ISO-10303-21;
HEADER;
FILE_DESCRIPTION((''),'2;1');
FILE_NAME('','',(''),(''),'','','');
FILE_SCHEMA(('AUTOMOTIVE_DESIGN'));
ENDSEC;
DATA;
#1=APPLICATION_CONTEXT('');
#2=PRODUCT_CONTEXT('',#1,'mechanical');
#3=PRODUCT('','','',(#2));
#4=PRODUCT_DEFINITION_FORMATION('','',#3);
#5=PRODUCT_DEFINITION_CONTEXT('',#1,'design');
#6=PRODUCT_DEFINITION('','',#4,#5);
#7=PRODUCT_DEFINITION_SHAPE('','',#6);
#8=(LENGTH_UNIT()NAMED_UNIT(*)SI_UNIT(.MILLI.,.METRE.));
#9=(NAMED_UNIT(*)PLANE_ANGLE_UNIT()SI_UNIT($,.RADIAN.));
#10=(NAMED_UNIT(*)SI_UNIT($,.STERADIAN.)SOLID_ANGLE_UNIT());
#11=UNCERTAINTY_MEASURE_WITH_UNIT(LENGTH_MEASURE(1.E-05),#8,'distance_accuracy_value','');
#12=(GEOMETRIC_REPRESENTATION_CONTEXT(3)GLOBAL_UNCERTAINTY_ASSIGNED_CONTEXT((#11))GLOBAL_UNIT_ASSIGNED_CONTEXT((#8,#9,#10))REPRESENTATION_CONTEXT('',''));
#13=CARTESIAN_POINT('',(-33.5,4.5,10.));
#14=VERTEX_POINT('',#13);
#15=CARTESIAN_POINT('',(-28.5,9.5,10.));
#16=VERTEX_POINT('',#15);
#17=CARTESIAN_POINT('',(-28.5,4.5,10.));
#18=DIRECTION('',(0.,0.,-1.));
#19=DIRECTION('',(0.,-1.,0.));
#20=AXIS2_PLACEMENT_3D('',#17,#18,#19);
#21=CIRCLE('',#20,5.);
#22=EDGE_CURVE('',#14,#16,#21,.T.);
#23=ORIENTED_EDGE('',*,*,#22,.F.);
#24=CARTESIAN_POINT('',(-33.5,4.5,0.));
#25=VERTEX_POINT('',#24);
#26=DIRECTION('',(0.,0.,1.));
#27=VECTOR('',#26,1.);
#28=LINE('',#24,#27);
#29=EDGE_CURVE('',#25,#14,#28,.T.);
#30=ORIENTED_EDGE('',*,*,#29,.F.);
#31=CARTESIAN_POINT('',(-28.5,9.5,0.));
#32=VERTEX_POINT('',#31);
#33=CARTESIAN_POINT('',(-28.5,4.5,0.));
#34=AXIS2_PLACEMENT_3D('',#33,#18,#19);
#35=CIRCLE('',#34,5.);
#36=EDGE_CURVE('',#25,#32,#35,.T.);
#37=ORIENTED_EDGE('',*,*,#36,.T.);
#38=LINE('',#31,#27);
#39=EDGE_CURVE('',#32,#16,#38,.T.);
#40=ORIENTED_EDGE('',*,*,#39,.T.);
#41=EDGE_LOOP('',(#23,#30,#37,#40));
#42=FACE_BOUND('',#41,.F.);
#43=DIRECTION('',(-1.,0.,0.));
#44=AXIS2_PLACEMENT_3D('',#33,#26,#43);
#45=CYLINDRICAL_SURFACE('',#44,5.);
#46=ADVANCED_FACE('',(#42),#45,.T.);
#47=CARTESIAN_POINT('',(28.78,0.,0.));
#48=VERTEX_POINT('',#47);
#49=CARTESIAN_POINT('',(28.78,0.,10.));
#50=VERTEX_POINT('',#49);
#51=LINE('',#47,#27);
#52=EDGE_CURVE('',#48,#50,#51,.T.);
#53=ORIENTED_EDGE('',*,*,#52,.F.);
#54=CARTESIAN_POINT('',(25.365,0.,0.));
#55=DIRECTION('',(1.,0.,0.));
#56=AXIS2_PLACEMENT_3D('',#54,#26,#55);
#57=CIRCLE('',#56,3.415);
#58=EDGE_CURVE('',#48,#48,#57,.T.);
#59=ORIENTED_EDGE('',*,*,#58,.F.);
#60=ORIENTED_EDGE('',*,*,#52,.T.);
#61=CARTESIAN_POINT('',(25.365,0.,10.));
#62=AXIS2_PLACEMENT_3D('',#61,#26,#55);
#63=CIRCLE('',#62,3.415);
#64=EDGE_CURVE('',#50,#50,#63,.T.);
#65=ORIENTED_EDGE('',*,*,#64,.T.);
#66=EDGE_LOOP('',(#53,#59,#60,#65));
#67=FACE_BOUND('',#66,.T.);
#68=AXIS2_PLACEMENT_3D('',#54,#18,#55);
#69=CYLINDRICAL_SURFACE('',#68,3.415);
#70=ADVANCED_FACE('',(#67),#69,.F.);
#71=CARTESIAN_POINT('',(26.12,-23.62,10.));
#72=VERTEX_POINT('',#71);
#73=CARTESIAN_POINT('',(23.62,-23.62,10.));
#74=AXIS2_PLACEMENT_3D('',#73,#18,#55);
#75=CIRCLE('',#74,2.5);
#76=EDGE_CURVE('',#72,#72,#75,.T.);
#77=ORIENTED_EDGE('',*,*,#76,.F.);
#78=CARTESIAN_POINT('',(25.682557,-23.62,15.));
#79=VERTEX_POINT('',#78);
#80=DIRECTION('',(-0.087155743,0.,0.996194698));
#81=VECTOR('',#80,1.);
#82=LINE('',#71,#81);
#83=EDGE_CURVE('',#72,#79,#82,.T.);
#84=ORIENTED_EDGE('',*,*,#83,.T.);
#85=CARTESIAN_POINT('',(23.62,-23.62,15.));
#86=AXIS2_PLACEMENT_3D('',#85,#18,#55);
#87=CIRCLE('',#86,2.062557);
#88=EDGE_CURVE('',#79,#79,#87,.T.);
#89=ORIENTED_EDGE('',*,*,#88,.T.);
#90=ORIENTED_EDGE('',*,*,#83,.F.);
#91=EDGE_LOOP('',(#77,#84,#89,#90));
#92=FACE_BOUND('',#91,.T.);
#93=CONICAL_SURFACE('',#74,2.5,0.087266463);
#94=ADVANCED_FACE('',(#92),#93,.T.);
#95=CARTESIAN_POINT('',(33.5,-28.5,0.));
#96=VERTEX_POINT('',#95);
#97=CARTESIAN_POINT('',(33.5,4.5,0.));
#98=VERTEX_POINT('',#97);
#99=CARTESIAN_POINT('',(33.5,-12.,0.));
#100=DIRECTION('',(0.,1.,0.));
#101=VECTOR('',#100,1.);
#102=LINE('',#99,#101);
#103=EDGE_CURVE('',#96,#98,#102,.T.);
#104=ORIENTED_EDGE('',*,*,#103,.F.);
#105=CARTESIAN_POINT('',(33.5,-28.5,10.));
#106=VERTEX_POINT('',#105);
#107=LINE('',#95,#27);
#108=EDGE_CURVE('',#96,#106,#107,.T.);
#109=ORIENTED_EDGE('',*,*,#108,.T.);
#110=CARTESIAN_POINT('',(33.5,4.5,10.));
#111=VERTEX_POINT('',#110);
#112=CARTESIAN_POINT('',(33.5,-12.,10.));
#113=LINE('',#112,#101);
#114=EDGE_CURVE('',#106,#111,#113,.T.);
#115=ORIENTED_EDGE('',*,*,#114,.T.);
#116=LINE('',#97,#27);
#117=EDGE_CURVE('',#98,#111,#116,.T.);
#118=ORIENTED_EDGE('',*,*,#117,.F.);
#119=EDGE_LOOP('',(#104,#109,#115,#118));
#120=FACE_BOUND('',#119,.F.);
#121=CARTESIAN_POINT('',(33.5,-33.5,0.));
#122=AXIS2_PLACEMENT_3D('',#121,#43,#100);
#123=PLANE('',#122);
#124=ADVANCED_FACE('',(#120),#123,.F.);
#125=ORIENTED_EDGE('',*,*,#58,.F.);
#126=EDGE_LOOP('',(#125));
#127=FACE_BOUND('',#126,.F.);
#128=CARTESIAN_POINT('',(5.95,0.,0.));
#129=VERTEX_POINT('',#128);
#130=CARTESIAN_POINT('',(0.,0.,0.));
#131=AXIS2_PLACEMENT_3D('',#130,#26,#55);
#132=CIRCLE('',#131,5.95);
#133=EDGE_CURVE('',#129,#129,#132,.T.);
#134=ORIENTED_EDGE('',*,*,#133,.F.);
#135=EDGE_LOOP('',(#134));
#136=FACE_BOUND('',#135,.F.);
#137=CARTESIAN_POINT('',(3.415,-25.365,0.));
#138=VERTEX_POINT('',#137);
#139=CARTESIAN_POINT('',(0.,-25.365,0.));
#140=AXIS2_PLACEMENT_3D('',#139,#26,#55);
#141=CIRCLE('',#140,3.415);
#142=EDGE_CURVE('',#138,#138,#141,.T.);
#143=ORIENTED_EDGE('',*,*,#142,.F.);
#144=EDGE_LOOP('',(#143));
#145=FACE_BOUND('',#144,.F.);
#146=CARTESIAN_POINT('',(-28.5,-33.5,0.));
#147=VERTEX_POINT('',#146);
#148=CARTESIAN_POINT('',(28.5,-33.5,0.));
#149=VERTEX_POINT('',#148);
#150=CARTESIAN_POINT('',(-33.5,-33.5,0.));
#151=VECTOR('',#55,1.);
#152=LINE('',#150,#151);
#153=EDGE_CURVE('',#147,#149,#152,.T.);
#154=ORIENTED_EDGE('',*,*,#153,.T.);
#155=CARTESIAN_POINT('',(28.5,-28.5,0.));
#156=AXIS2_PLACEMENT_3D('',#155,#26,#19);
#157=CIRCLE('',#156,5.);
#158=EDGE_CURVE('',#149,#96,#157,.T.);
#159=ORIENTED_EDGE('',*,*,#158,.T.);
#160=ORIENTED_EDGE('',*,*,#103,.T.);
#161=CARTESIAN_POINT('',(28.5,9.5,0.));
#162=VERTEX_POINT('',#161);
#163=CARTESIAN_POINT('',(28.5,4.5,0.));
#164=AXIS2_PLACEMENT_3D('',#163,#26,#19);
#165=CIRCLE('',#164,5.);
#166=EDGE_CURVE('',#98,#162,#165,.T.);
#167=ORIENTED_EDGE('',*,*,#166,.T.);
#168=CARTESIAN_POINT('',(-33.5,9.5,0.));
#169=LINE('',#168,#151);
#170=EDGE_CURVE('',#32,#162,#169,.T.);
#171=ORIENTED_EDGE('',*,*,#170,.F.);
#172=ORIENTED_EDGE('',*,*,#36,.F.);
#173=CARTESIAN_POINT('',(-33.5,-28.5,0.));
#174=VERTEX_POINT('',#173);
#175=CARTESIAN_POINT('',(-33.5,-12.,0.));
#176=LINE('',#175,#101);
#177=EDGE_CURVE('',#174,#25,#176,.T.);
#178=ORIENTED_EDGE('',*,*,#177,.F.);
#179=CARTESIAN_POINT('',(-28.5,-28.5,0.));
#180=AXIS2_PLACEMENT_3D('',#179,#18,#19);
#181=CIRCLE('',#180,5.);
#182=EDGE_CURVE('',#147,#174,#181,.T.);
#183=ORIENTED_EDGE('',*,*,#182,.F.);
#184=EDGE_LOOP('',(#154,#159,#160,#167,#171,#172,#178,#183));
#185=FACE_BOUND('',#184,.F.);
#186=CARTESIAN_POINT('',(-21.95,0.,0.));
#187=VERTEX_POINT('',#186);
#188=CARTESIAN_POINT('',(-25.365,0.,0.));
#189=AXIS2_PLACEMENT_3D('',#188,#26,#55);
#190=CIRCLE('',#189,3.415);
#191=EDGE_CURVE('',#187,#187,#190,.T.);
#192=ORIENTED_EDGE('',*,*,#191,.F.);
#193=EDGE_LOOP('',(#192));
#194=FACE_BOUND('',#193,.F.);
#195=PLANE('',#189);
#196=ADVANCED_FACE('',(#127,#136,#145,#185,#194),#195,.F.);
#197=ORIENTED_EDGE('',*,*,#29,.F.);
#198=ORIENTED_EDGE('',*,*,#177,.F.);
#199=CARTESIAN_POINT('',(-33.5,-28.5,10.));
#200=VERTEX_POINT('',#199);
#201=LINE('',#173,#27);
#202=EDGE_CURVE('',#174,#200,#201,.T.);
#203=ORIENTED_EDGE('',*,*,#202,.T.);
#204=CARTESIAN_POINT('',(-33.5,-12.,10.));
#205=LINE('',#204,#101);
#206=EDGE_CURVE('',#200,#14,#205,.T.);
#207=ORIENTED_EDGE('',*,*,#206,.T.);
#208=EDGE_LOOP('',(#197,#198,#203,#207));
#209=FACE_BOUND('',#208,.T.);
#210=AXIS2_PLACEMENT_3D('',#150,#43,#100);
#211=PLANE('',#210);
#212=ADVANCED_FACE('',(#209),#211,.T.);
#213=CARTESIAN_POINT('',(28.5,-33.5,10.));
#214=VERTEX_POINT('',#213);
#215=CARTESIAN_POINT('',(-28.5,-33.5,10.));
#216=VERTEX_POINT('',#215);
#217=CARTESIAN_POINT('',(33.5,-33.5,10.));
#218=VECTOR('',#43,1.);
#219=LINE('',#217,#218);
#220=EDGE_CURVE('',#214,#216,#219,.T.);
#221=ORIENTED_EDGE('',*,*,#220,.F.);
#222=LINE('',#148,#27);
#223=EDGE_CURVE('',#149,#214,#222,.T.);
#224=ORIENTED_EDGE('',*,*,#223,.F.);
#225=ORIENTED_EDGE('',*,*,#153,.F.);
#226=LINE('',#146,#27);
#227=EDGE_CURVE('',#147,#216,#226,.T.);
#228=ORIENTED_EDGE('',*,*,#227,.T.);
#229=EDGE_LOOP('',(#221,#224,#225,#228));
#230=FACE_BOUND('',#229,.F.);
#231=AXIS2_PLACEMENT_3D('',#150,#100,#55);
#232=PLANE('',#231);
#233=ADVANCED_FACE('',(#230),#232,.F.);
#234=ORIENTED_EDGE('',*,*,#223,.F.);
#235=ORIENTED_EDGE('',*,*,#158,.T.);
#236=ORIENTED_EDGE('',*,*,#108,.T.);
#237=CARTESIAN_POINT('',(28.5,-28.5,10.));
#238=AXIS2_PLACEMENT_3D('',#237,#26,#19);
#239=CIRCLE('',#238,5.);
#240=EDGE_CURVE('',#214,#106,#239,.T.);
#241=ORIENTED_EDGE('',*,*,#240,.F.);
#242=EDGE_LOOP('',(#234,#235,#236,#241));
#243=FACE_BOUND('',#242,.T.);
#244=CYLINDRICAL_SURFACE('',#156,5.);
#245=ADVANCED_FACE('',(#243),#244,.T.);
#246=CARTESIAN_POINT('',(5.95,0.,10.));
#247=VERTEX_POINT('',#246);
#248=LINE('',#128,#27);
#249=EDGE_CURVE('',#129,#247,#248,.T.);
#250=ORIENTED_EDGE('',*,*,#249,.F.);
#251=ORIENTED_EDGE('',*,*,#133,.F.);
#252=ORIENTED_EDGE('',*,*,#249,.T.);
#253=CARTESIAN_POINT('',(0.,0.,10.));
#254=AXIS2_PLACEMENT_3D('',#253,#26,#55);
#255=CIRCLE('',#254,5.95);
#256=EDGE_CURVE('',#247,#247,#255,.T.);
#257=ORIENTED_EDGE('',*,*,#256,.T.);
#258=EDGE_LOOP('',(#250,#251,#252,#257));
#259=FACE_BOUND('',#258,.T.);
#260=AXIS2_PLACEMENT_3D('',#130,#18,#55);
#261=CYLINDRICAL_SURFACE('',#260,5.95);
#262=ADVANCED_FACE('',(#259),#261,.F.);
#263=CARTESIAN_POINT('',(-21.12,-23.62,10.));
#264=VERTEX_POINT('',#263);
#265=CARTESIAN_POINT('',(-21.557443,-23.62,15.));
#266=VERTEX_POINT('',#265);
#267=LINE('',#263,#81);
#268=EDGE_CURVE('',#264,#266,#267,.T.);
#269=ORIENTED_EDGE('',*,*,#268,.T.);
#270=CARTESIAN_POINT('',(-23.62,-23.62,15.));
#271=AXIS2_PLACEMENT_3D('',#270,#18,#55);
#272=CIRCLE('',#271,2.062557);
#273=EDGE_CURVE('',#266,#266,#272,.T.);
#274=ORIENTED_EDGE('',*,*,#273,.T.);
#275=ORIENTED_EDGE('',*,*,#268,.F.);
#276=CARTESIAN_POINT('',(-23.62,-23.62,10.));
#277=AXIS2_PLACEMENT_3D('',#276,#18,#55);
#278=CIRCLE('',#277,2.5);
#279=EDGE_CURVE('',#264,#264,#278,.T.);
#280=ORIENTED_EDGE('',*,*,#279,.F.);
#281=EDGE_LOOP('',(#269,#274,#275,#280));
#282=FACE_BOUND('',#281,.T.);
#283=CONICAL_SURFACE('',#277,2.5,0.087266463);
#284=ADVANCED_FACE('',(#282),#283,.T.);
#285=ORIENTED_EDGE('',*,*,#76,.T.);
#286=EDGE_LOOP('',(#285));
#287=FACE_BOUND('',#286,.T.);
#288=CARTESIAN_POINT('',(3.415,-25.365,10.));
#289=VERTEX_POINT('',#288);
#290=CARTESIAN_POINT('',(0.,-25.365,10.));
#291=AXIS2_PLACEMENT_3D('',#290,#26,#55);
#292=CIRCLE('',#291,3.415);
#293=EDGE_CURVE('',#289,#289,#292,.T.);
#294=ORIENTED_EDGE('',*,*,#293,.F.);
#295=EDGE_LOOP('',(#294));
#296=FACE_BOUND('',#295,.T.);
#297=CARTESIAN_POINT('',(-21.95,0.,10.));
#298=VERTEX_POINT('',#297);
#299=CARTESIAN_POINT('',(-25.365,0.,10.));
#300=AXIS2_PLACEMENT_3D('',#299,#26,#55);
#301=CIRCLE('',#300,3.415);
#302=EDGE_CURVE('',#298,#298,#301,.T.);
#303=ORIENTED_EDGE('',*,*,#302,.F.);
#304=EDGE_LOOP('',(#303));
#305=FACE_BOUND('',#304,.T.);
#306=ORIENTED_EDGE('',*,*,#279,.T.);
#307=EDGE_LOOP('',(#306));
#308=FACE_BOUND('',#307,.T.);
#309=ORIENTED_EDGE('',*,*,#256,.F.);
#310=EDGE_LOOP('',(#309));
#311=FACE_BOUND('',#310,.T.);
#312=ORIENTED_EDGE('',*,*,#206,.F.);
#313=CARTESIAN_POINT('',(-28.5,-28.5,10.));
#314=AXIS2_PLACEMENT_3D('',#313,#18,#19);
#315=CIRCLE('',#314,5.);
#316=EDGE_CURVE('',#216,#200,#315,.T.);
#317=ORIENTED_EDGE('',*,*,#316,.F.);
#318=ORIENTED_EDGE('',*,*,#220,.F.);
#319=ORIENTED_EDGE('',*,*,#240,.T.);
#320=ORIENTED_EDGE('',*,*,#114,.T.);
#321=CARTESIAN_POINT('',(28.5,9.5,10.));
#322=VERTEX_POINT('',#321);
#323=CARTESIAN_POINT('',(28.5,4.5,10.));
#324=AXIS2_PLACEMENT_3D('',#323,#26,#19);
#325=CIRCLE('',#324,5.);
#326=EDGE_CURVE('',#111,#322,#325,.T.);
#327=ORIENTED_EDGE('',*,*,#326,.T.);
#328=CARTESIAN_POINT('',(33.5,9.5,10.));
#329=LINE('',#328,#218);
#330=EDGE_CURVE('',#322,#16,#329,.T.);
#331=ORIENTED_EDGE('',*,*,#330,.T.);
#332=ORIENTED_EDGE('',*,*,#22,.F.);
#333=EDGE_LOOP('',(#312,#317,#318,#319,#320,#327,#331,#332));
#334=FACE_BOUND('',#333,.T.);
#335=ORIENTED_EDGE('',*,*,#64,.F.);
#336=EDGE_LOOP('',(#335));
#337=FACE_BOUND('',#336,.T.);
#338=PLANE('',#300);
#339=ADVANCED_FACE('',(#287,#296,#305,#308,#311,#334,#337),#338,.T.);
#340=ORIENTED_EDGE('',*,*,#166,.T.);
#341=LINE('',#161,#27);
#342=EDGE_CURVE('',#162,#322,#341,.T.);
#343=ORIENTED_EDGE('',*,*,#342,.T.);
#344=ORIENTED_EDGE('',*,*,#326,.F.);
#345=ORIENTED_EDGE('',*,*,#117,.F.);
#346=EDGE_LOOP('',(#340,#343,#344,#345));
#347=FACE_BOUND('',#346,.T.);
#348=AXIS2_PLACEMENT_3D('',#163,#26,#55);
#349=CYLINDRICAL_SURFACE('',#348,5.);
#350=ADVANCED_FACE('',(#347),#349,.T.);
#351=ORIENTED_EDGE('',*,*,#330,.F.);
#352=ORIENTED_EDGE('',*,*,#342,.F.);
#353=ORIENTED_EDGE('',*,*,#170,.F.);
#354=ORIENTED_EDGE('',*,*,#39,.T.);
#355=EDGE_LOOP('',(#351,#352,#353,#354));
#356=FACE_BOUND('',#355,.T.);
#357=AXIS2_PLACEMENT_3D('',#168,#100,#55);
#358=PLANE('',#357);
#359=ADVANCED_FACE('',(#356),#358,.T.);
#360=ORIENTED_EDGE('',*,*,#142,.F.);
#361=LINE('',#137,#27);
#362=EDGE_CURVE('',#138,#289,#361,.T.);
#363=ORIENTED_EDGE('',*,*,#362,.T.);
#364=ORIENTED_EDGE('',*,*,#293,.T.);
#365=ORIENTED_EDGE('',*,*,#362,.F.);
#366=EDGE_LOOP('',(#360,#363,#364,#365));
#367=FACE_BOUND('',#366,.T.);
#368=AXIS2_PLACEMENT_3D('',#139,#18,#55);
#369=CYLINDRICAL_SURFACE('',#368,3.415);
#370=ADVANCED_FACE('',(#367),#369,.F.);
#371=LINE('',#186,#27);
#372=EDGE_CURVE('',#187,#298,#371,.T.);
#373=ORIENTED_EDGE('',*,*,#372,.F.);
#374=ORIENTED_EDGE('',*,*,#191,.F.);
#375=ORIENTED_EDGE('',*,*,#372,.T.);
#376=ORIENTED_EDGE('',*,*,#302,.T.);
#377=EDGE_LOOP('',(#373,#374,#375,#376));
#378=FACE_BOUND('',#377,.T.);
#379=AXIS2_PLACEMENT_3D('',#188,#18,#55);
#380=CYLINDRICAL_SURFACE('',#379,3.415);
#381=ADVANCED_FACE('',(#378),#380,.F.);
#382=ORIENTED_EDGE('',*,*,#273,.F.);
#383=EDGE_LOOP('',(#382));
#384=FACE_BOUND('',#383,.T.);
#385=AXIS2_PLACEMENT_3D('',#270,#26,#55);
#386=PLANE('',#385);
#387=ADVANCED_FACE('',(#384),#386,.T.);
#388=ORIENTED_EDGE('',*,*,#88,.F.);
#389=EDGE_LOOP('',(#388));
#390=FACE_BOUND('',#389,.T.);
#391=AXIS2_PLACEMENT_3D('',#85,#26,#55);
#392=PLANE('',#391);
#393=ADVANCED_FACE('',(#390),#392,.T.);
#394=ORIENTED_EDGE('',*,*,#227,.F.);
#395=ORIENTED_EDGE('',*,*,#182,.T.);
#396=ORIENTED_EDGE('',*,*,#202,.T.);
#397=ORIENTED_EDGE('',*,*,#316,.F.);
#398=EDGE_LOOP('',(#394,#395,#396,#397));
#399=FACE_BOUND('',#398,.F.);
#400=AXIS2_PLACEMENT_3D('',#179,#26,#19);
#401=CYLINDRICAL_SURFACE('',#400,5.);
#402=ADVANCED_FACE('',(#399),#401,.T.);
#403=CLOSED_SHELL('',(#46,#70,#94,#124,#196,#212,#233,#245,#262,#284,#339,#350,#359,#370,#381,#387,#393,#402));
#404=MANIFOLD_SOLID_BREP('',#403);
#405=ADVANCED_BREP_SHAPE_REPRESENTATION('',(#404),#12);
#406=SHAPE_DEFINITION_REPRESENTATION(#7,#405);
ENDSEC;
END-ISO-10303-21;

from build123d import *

# Parameters (mm, degrees)
F0_W     = 29.9564684167
F0_H     = 43
F0_R     = 5.425
F0_R_2   = 5.95
F1_DEPTH = 10
F0_W_2   = 18.5217657917
F2_DEPTH = 10
F0_R_3   = 3.415
F3_DEPTH = 10
F4_DEPTH = 10
F6_R     = 2.5
F7_DEPTH = 5
F7_TAPER = 5
F8_R     = 5


with BuildPart() as f1:
    # F0 (on Top) → F1 (new body)
    with BuildSketch(Plane.XY):
        with Locations((0, -12)):
            Rectangle(F0_W, F0_H)
        with Locations((0, -25.365)):
            Circle(F0_R, mode=Mode.SUBTRACT)
        Circle(F0_R_2, mode=Mode.SUBTRACT)
    extrude(amount=F1_DEPTH)

    # F0 (on Top) → F2 (join)
    with BuildSketch(Plane.XY):
        with Locations((-24.2391171042, -12)):
            Rectangle(F0_W_2, F0_H)
        with Locations((-25.365, 0)):
            Circle(F0_R, mode=Mode.SUBTRACT)
        with Locations((24.2391171042, -12)):
            Rectangle(F0_W_2, F0_H)
        with Locations((25.365, 0)):
            Circle(F0_R, mode=Mode.SUBTRACT)
    extrude(amount=F2_DEPTH)

    # F0 (on Top) → F3 (join)
    with BuildSketch(Plane.XY):
        with Locations((-25.365, 0)):
            Circle(F0_R)
        with Locations((-25.365, 0)):
            Circle(F0_R_3, mode=Mode.SUBTRACT)
        with Locations((25.365, 0)):
            Circle(F0_R)
        with Locations((25.365, 0)):
            Circle(F0_R_3, mode=Mode.SUBTRACT)
        with Locations((0, -25.365)):
            Circle(F0_R)
        with Locations((0, -25.365)):
            Circle(F0_R_3, mode=Mode.SUBTRACT)
    extrude(amount=F3_DEPTH)

    # F0 (on Top) → F4 (join)
    with BuildSketch(Plane.XY):
        with Locations((24.2391171042, -12)):
            Rectangle(F0_W_2, F0_H)
        with Locations((25.365, 0)):
            Circle(F0_R, mode=Mode.SUBTRACT)
        with Locations((-24.2391171042, -12)):
            Rectangle(F0_W_2, F0_H)
        with Locations((-25.365, 0)):
            Circle(F0_R, mode=Mode.SUBTRACT)
    extrude(amount=F4_DEPTH)

    # F6 (on face) → F7 (join)
    with BuildSketch(Plane.XY.offset(10)):
        with Locations((-23.62, -23.62)):
            Circle(F6_R)
        with Locations((23.62, -23.62)):
            Circle(F6_R)
    extrude(amount=F7_DEPTH, taper=F7_TAPER)

    # F8
    f8_edges = [f1.edges().sort_by_distance(p)[0] for p in [
        (-33.5, -33.5, 5),
        (33.5, -33.5, 5),
        (33.5, 9.5, 5),
        (-33.5, 9.5, 5),
    ]]
    fillet(f8_edges, radius=F8_R)


solid = f1.part
